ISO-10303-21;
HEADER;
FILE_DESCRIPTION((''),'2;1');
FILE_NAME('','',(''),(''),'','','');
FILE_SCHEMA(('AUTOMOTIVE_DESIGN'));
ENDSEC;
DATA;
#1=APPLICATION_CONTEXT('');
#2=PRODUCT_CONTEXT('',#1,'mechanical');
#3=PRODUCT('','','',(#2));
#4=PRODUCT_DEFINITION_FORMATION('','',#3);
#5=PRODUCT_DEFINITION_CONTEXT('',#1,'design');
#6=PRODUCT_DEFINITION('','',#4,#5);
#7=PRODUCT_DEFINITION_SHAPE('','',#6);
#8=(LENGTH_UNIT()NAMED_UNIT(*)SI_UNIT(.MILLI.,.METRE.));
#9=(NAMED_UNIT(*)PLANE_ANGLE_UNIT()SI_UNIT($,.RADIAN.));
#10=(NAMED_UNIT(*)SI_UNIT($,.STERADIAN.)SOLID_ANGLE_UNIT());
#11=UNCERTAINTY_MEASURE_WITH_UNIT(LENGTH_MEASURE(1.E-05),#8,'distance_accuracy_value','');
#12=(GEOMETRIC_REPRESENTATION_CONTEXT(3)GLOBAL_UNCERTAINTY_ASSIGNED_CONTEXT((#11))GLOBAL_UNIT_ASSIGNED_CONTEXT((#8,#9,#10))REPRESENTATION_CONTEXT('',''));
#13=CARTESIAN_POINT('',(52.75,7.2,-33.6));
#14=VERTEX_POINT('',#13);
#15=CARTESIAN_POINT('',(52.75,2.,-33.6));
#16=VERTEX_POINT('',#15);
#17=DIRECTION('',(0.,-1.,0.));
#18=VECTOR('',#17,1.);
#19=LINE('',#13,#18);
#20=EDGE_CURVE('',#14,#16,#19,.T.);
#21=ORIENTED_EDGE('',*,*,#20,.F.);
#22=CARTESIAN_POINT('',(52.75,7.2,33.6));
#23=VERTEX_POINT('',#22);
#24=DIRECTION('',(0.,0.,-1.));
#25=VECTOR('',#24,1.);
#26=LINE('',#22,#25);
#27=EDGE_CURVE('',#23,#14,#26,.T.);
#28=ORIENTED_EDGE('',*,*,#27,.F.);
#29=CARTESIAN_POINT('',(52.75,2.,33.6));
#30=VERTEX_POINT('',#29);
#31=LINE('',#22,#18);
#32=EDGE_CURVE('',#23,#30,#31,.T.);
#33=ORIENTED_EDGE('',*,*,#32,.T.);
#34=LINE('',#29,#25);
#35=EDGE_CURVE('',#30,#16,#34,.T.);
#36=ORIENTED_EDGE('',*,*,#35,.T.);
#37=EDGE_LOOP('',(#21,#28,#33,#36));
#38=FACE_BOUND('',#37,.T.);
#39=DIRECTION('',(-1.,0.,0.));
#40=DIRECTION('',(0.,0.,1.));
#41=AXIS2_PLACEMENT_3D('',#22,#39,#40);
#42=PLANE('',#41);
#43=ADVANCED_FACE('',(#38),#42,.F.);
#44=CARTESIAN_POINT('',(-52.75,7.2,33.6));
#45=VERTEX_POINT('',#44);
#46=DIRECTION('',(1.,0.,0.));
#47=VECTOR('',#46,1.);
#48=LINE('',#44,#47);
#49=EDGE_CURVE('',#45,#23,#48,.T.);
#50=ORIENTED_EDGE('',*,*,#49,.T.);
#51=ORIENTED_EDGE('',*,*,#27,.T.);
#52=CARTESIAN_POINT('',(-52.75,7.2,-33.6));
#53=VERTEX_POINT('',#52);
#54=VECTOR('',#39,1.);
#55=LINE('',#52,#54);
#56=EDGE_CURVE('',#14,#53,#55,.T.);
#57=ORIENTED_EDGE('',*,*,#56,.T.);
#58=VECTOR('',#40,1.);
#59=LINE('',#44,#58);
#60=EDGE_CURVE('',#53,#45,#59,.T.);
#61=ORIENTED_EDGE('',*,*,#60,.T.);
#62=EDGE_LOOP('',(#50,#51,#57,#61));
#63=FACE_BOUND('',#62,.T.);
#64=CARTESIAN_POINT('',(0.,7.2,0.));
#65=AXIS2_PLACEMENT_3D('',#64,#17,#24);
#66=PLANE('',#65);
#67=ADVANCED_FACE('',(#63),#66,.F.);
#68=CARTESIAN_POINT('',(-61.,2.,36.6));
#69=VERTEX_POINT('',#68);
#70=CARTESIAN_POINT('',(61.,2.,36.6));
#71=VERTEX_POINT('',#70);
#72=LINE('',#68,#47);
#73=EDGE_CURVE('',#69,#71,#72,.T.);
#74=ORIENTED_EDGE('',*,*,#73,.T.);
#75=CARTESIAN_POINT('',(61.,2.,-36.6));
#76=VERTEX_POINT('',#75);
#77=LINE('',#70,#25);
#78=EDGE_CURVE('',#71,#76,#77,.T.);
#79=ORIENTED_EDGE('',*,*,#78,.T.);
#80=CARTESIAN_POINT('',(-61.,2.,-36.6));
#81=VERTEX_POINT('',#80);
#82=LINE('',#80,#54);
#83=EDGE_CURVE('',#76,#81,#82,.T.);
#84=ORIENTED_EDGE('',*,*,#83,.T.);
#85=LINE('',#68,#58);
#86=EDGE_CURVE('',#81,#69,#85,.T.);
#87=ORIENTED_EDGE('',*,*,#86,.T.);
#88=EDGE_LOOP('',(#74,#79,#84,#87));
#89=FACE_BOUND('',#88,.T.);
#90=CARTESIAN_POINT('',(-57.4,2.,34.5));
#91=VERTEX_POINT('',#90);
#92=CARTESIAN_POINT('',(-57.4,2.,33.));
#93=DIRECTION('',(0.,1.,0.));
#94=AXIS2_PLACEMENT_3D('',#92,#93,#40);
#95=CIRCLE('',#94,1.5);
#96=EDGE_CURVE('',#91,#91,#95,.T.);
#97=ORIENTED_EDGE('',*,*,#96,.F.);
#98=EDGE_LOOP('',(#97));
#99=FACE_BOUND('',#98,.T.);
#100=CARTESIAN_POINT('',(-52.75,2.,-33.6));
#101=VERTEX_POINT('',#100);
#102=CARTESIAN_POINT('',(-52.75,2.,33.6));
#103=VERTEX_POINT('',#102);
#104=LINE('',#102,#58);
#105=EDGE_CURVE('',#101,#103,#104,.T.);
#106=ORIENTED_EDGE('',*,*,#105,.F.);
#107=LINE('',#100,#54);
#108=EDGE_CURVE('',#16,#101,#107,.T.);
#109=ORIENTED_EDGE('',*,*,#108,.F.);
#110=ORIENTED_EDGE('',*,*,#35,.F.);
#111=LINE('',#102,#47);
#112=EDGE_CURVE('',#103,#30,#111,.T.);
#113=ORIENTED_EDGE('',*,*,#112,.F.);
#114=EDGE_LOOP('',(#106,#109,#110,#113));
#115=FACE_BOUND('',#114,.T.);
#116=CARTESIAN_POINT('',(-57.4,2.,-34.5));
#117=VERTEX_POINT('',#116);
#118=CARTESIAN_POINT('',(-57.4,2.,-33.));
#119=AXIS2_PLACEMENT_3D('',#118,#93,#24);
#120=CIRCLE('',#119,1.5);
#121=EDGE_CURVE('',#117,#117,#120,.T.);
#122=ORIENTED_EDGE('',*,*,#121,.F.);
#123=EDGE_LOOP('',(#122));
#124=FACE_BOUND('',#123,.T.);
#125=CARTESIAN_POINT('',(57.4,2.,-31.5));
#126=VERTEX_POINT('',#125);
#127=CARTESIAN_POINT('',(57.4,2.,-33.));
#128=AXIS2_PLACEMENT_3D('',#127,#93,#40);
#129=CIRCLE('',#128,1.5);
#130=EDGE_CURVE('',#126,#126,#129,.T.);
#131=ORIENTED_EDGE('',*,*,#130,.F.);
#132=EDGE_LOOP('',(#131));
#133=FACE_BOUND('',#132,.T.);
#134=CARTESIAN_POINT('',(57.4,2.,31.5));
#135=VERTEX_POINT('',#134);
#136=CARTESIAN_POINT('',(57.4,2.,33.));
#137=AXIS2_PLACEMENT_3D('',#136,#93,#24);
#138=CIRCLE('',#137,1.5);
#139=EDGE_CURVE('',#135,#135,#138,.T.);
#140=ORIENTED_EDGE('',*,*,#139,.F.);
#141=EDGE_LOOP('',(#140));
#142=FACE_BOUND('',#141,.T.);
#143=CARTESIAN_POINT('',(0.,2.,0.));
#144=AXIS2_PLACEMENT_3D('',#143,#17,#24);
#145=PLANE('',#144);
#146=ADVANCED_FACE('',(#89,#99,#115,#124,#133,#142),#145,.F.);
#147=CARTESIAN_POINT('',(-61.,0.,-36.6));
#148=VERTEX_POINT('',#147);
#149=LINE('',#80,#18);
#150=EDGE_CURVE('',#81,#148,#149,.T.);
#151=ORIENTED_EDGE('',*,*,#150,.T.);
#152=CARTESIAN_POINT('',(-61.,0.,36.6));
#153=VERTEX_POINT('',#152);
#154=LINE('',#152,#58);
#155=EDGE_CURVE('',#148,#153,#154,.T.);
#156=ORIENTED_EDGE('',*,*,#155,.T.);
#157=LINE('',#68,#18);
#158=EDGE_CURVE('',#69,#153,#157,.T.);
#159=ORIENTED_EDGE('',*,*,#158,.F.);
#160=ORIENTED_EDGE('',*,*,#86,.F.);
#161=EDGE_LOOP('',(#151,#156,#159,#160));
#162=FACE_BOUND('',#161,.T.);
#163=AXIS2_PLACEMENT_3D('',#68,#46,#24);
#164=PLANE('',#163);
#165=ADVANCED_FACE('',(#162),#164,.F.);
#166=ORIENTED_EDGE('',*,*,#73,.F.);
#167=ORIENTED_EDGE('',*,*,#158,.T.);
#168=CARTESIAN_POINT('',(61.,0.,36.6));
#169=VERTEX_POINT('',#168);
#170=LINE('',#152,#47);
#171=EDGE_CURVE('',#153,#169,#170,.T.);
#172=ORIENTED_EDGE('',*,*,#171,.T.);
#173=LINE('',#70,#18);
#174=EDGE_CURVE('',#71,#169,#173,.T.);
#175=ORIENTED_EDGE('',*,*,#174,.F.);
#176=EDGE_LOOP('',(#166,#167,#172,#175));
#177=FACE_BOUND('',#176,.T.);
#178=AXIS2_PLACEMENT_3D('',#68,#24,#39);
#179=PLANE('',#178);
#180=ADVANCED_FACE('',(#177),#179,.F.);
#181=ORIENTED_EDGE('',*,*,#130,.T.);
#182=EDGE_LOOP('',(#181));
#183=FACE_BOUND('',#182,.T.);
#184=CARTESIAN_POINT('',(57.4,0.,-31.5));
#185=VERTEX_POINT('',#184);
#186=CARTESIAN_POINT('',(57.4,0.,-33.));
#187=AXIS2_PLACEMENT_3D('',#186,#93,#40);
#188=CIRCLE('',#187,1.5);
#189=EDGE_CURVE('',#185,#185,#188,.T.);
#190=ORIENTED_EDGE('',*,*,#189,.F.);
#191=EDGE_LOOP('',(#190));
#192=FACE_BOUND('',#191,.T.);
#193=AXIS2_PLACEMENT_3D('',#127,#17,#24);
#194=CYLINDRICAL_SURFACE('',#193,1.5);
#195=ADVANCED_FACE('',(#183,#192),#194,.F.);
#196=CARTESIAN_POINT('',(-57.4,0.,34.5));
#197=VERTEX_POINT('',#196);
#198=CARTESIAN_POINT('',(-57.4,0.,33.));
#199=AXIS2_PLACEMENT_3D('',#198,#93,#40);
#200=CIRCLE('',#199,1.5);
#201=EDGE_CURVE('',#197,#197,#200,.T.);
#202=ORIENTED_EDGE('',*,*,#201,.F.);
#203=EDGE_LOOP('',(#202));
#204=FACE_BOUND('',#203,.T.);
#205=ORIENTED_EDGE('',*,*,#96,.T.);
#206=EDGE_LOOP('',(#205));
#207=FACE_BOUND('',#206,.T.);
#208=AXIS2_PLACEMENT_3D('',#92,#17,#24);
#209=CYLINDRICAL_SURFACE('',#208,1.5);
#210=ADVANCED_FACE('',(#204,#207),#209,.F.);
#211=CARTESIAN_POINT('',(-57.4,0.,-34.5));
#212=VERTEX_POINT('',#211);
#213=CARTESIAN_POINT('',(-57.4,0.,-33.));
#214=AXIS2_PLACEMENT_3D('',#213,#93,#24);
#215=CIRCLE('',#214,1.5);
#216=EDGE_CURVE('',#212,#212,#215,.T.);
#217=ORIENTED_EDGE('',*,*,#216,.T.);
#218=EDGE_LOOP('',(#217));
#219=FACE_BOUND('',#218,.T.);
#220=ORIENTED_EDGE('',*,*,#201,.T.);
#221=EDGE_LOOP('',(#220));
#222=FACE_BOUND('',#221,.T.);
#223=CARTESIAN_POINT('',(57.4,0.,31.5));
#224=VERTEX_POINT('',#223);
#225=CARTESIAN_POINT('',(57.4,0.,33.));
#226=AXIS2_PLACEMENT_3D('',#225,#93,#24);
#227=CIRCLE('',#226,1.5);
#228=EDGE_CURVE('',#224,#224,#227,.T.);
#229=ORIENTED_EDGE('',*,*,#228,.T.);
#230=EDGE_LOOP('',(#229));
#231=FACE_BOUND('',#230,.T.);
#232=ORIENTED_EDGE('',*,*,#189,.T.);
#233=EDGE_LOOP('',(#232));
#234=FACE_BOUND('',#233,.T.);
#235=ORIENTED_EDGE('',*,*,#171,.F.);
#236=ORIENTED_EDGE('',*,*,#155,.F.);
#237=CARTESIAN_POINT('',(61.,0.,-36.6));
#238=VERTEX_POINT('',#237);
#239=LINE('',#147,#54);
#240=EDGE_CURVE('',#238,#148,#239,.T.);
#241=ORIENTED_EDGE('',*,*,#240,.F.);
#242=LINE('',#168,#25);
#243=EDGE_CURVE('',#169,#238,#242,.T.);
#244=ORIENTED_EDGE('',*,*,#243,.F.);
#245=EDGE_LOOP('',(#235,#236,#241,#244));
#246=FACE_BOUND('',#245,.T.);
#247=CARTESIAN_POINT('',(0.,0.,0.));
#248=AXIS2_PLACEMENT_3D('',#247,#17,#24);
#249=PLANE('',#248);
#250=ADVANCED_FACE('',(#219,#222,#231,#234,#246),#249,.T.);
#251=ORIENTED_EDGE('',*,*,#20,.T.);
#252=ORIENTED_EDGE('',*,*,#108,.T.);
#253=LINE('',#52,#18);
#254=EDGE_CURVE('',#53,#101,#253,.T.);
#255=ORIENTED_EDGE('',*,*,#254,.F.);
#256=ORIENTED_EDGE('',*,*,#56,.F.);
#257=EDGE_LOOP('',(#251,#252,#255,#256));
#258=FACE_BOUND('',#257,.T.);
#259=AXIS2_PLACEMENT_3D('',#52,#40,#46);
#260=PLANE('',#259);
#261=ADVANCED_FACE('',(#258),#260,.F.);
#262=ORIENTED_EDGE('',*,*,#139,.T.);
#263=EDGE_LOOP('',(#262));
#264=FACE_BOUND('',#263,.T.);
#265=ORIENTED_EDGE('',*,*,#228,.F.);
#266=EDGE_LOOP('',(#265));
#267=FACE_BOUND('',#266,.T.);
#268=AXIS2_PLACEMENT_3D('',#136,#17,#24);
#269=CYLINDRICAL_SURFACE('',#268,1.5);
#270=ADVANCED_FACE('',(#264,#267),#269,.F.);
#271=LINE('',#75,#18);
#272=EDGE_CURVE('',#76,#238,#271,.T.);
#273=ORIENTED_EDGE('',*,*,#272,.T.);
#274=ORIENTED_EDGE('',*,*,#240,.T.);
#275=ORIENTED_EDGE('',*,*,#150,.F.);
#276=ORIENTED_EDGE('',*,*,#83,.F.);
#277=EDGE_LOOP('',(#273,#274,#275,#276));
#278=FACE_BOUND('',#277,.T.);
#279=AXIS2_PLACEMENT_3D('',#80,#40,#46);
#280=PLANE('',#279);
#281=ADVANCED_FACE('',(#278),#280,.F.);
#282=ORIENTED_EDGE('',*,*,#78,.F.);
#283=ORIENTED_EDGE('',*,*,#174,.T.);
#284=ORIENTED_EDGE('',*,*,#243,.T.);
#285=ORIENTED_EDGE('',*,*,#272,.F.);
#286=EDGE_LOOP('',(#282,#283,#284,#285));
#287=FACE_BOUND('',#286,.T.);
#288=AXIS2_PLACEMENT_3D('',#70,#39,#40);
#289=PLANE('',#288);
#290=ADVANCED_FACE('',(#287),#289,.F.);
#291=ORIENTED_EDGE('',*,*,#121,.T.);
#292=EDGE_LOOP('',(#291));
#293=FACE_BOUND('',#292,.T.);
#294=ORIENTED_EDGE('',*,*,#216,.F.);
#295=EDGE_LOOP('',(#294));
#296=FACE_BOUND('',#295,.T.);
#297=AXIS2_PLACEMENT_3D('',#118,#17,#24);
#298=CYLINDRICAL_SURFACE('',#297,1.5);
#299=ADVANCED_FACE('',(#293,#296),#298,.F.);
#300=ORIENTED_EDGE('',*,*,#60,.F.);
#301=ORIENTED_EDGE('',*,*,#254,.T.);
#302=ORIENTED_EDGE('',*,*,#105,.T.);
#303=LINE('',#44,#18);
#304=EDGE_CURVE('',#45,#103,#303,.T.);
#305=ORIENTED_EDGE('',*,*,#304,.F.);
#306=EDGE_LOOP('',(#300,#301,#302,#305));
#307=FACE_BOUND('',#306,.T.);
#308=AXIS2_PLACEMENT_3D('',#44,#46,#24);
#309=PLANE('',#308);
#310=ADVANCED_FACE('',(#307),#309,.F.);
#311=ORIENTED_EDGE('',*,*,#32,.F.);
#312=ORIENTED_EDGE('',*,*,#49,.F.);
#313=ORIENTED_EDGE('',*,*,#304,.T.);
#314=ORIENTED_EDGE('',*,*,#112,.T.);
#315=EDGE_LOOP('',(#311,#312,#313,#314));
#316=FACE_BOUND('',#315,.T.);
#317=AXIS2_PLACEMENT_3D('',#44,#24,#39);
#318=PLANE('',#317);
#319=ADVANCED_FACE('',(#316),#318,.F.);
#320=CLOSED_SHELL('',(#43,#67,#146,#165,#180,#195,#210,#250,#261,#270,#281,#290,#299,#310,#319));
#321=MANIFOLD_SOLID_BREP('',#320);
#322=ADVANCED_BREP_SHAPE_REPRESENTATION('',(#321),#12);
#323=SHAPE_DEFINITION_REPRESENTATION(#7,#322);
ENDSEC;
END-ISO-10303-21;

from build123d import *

# Parameters (mm, degrees)
SKETCH_1_W      = 122
SKETCH_1_H      = 73.2
SKETCH_1_R      = 1.5
EXTRUDE_1_DEPTH = 2
SKETCH_2_W      = 105.5
SKETCH_2_H      = 67.2
EXTRUDE_2_DEPTH = 5.2


with BuildPart() as part:
    # 草图1 → 凸台-拉伸1 (new body)
    with BuildSketch(Plane(origin=(0, 0, 0), x_dir=(1, 0, 0), z_dir=(0, 1, 0))):
        Rectangle(SKETCH_1_W, SKETCH_1_H)
        with Locations(Location((57.4, 33, 0), (0, 0, 270))):
            Circle(SKETCH_1_R, mode=Mode.SUBTRACT)
        with Locations(Location((57.4, -33, 0), (0, 0, 90))):
            Circle(SKETCH_1_R, mode=Mode.SUBTRACT)
        with Locations(Location((-57.4, -33, 0), (0, 0, 270))):
            Circle(SKETCH_1_R, mode=Mode.SUBTRACT)
        with Locations(Location((-57.4, 33, 0), (0, 0, 90))):
            Circle(SKETCH_1_R, mode=Mode.SUBTRACT)
    extrude(amount=EXTRUDE_1_DEPTH)

    # 草图2 → 凸台-拉伸2 (add)
    with BuildSketch(Plane(origin=(0, 2, 0), x_dir=(1, 0, 0), z_dir=(0, 1, 0))):
        Rectangle(SKETCH_2_W, SKETCH_2_H)
    extrude(amount=EXTRUDE_2_DEPTH)


solid = part.part
